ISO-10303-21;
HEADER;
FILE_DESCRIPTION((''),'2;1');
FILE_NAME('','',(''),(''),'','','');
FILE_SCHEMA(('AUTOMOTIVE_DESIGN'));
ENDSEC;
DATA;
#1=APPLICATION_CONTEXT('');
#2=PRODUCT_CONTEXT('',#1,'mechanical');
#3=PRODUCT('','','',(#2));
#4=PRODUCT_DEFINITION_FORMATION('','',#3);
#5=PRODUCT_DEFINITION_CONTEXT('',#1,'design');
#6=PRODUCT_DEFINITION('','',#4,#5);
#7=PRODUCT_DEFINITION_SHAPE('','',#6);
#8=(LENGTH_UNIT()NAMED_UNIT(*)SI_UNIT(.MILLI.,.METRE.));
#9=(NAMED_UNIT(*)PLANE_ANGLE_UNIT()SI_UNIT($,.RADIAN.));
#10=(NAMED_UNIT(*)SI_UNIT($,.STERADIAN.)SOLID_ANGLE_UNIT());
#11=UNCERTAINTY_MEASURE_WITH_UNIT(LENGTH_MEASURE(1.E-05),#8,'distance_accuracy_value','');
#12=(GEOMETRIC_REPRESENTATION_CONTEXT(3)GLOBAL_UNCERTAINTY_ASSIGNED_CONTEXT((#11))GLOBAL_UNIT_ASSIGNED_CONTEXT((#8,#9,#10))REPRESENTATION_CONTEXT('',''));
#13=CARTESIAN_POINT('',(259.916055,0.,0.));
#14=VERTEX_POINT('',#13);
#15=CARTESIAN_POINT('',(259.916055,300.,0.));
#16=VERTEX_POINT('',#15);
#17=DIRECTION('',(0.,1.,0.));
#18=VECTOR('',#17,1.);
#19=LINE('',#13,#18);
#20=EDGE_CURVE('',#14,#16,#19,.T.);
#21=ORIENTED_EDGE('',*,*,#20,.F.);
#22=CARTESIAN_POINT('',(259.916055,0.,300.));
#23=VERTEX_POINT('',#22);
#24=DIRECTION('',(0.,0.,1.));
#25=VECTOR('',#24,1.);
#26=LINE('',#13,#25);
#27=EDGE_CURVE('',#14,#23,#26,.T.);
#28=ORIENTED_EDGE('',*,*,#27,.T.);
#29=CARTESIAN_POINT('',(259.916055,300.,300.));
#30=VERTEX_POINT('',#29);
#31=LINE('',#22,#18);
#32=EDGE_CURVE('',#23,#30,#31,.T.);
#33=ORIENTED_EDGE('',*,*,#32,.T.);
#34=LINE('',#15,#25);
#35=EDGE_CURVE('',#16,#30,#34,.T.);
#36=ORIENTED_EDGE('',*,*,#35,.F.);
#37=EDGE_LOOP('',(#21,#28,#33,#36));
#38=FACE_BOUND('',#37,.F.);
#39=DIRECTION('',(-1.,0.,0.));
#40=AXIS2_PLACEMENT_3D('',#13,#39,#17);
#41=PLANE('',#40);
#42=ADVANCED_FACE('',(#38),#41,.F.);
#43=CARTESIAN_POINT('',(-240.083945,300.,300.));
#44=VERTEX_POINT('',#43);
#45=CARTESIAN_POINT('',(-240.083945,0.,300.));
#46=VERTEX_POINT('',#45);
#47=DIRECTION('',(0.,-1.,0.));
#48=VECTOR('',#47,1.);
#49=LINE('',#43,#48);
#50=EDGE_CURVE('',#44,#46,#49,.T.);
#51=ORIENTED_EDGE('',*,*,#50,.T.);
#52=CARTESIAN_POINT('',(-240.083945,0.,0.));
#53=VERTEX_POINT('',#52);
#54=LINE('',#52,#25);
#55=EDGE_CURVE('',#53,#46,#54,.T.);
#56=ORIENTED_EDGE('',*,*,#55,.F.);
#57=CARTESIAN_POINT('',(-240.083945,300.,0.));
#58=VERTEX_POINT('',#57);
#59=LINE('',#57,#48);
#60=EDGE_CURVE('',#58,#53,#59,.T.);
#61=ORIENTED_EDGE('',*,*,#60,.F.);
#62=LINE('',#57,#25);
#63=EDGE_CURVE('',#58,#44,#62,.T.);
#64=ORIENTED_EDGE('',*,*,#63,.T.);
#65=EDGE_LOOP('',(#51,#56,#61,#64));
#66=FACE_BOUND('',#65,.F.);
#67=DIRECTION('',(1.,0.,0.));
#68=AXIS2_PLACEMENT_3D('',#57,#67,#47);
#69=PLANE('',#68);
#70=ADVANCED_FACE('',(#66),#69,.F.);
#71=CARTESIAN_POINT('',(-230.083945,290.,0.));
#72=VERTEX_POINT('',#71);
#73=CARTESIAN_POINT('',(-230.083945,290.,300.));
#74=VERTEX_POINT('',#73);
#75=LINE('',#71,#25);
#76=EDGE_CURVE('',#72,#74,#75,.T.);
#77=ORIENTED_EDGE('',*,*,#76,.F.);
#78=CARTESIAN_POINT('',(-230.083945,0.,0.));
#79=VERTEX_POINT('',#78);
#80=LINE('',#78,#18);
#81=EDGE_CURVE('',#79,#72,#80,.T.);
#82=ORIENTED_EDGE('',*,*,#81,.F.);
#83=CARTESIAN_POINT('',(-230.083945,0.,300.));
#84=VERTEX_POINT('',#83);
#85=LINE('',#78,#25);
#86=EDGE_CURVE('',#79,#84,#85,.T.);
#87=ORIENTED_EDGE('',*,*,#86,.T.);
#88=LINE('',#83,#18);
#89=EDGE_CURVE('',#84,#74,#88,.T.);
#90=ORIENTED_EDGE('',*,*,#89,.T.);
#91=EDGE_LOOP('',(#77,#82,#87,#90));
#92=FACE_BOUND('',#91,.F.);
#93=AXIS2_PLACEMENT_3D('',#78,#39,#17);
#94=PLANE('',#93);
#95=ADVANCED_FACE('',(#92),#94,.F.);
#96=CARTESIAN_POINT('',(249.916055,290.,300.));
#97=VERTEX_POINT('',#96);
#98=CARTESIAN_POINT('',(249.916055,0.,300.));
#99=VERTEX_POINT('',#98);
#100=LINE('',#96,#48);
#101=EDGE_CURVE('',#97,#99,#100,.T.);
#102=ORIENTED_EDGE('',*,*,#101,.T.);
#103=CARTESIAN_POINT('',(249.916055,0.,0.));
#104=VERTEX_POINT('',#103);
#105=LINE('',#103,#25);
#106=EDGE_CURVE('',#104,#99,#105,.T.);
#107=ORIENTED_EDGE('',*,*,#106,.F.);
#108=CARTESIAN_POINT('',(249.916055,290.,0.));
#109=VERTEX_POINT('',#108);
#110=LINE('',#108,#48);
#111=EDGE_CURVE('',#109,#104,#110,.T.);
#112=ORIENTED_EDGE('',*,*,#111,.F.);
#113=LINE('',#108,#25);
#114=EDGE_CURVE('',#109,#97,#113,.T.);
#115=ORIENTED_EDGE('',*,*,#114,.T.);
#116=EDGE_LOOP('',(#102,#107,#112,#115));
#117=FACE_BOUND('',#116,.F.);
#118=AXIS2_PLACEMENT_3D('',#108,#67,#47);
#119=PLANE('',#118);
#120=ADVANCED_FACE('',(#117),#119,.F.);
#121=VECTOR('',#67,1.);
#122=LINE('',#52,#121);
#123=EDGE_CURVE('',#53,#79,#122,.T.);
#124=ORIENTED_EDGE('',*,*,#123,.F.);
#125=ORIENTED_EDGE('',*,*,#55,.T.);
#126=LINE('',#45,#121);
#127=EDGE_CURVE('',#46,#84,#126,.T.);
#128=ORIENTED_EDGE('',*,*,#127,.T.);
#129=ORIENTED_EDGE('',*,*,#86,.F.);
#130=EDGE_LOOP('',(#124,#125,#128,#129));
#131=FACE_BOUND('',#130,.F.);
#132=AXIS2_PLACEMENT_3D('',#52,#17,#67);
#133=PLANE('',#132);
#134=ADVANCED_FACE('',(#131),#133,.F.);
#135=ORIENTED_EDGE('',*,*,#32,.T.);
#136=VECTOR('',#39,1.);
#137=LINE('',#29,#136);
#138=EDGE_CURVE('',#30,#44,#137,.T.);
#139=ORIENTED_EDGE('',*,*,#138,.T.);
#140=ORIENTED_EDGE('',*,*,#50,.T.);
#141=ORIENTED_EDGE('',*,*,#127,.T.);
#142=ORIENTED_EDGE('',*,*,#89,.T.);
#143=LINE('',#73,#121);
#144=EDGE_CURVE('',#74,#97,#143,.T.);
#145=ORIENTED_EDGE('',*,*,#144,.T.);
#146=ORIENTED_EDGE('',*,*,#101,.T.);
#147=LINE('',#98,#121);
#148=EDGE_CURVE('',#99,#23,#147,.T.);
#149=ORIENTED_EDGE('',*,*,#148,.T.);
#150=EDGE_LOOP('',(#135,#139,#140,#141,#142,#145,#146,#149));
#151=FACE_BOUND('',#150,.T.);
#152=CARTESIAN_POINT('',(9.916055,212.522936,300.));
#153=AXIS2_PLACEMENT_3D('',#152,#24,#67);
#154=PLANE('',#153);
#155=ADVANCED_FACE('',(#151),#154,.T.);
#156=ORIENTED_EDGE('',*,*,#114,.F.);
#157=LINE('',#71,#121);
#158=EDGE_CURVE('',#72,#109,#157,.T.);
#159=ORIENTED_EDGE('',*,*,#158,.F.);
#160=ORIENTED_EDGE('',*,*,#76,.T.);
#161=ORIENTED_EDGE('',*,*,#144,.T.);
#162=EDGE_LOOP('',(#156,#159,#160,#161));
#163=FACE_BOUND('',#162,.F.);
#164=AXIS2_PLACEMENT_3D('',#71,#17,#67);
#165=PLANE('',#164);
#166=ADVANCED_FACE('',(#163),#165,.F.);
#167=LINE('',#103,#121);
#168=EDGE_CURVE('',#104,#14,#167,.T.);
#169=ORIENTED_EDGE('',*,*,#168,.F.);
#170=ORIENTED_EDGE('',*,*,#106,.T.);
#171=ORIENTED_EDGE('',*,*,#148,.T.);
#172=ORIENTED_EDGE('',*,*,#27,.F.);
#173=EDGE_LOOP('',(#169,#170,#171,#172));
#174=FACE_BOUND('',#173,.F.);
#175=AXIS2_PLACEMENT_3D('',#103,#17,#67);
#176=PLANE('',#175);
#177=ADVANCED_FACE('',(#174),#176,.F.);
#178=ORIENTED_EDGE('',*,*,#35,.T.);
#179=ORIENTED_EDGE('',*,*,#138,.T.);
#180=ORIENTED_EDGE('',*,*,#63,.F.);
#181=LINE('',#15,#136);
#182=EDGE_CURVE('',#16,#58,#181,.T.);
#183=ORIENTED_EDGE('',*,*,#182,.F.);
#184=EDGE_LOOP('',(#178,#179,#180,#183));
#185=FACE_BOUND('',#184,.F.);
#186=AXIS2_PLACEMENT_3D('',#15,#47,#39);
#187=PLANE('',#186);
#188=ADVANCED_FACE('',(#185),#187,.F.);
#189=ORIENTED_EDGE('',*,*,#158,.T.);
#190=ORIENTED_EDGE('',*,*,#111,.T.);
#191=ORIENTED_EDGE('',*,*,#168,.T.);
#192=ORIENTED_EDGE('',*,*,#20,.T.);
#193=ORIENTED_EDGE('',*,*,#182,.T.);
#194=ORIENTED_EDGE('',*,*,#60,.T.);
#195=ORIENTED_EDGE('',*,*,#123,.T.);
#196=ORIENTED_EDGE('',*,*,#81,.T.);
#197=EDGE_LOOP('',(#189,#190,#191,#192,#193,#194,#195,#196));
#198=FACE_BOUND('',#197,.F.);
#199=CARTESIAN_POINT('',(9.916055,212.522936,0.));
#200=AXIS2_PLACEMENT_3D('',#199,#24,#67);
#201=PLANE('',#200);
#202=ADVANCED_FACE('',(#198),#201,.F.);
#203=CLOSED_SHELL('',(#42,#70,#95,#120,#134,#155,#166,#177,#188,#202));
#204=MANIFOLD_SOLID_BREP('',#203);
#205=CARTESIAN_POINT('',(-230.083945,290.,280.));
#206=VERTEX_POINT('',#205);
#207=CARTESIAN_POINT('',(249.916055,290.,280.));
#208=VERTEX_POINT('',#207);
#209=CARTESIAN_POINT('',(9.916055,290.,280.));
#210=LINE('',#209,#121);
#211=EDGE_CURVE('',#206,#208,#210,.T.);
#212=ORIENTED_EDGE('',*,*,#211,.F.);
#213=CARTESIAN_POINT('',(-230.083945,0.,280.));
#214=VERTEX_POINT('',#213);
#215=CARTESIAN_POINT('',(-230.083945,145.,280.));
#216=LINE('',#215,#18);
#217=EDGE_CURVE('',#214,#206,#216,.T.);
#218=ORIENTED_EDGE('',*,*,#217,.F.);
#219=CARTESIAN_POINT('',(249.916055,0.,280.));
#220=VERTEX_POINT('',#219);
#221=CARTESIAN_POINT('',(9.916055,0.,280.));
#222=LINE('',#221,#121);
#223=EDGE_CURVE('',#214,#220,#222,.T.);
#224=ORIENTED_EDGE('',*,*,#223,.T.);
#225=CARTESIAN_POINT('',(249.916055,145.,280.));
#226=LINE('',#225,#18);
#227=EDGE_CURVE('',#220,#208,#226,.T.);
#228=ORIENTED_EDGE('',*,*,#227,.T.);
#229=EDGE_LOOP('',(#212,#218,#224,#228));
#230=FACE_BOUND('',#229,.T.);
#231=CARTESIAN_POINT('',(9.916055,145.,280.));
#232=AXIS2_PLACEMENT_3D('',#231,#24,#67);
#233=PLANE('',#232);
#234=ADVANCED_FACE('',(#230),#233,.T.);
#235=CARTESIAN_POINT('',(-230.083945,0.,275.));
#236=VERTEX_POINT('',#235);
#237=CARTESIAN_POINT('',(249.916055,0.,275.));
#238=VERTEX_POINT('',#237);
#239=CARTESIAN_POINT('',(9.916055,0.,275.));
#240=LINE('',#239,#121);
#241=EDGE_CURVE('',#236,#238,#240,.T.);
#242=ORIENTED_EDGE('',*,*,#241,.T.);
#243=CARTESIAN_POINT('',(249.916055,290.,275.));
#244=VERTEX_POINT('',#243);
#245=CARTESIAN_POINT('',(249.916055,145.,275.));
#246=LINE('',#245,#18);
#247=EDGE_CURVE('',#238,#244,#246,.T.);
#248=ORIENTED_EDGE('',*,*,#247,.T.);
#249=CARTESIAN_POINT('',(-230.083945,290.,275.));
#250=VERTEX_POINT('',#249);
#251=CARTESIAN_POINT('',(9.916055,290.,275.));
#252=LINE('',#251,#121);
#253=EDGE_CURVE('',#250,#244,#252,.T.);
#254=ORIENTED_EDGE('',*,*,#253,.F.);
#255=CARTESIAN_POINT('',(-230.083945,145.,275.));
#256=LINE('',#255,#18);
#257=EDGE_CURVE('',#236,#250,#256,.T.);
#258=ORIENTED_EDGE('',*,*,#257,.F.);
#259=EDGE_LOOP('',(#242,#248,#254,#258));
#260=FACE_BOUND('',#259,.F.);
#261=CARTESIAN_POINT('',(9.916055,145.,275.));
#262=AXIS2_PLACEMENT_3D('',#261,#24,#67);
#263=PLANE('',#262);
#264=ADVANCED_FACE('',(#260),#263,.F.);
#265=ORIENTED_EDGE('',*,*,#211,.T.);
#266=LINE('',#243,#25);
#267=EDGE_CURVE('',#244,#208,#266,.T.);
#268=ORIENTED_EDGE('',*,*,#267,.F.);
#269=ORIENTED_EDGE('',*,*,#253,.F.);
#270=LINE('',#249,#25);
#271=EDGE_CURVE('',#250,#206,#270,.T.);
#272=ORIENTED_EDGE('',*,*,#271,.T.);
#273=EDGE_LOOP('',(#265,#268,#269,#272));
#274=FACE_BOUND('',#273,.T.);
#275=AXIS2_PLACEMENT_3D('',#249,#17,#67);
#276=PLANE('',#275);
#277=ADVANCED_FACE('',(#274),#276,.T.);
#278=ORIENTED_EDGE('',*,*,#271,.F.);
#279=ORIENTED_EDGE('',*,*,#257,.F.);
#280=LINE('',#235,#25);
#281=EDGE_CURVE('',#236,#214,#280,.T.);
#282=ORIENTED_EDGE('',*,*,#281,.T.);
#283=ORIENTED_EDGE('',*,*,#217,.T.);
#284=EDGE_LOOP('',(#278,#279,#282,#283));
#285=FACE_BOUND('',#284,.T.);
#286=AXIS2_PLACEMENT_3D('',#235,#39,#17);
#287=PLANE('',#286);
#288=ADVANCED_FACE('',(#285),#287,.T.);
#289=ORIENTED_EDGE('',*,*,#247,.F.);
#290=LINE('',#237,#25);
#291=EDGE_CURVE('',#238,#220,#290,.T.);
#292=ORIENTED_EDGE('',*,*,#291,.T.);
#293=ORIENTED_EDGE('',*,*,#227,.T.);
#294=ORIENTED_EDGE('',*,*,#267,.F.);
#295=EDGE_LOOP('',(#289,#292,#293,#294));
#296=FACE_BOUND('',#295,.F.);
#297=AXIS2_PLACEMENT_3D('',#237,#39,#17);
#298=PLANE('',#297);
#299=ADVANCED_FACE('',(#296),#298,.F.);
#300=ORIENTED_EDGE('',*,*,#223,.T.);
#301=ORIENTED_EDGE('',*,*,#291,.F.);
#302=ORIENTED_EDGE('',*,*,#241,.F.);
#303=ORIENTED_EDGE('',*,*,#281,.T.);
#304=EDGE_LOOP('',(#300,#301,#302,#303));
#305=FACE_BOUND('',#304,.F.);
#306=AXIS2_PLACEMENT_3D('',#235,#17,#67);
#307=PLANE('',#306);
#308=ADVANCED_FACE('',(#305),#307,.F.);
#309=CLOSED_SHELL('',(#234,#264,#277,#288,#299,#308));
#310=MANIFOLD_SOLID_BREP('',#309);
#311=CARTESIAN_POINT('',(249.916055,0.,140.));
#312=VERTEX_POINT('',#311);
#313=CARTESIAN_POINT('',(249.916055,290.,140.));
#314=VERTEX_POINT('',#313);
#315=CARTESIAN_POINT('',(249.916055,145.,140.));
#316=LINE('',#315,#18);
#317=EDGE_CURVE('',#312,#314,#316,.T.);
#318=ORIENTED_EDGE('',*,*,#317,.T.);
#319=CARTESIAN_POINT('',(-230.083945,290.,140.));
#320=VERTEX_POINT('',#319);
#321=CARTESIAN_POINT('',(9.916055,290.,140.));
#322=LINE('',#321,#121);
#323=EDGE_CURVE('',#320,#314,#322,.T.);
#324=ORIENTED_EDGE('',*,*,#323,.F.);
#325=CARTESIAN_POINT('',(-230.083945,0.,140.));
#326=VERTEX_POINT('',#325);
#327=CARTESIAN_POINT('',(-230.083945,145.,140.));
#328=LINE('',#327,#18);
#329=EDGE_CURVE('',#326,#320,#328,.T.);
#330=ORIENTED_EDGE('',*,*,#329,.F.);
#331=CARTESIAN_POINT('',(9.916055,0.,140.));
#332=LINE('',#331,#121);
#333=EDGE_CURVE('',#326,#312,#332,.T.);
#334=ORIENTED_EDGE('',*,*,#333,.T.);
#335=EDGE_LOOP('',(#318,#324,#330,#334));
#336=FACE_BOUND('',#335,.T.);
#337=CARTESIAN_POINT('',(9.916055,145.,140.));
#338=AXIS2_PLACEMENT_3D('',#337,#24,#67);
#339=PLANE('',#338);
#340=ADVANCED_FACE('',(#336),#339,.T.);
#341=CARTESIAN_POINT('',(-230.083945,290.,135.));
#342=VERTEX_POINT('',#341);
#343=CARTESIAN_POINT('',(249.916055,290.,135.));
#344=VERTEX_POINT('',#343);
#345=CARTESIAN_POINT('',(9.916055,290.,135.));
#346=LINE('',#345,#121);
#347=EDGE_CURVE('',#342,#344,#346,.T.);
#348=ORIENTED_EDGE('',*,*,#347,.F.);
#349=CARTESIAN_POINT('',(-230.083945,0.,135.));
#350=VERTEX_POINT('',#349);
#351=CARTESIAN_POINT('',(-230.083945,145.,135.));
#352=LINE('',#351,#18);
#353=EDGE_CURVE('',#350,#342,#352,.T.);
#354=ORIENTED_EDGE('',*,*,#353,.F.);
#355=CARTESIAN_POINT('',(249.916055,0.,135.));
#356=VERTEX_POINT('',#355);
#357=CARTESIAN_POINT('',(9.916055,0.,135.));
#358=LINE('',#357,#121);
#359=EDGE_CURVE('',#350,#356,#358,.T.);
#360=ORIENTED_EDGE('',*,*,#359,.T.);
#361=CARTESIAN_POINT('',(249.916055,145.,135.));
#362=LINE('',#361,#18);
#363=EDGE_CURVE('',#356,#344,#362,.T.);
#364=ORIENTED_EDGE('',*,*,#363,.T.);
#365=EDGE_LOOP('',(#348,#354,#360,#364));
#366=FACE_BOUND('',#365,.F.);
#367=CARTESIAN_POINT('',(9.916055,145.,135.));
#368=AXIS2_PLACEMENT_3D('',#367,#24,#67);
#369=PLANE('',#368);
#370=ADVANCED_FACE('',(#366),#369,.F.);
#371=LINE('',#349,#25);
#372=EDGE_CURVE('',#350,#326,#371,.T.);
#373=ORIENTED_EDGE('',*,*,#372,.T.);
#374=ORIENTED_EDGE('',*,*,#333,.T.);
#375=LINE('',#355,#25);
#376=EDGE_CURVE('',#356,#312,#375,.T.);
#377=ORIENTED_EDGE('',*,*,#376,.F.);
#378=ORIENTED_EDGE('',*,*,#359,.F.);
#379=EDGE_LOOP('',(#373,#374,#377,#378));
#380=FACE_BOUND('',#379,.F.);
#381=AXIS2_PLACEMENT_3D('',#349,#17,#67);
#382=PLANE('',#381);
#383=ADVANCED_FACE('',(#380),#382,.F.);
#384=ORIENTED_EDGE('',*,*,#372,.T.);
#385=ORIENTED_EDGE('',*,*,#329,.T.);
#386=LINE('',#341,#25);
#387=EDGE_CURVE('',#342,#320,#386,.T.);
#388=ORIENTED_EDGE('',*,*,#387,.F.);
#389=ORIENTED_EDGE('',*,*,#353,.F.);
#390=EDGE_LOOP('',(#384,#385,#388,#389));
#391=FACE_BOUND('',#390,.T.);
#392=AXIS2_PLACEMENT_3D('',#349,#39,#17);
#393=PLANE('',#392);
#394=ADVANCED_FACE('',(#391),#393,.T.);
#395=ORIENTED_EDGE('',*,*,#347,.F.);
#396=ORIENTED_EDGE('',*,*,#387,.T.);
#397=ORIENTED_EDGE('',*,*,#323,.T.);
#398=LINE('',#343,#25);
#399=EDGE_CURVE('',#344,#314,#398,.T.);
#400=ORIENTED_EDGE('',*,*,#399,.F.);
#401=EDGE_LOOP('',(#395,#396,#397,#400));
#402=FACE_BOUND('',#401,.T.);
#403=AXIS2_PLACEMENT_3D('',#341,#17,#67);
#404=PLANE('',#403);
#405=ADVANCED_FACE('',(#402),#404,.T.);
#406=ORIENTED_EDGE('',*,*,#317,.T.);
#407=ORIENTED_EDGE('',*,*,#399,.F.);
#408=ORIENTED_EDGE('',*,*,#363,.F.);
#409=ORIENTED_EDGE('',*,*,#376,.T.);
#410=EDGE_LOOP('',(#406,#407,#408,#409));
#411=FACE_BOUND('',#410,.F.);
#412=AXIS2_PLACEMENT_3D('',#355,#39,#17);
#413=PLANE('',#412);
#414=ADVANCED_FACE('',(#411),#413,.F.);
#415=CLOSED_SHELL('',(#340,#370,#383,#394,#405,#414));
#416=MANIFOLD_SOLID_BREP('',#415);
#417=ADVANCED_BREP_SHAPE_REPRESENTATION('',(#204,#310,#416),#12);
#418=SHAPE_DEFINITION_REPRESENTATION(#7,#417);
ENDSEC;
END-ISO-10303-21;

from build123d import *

# Parameters (mm, degrees)
F1_DEPTH = 300
F3_W     = 480
F3_H     = 290
F4_DEPTH = 5
F6_W     = 480
F6_H     = 290
F7_DEPTH = 5


with BuildPart() as f1:
    # F0 (on Top) → F1 (new body)
    with BuildSketch(Plane.XY):
        Polygon((259.9160554688, 300), (-240.0839445312, 300), (-240.0839445312, 0), (-230.0839445312, 0), (-230.0839445312, 290), (249.9160554688, 290), (249.9160554688, 0), (259.9160554688, 0), align=None)
    extrude(amount=F1_DEPTH)


with BuildPart() as f4:
    # F3 (on offset) → F4 (new body)
    with BuildSketch(Plane.XY.offset(135)):
        with Locations((9.9160554688, 145)):
            Rectangle(F3_W, F3_H)
    extrude(amount=F4_DEPTH)


with BuildPart() as f7:
    # F6 (on offset) → F7 (new body)
    with BuildSketch(Plane.XY.offset(275)):
        with Locations((9.9160554688, 145)):
            Rectangle(F6_W, F6_H)
    extrude(amount=F7_DEPTH)


solid = Compound([f1.part, f4.part, f7.part])
